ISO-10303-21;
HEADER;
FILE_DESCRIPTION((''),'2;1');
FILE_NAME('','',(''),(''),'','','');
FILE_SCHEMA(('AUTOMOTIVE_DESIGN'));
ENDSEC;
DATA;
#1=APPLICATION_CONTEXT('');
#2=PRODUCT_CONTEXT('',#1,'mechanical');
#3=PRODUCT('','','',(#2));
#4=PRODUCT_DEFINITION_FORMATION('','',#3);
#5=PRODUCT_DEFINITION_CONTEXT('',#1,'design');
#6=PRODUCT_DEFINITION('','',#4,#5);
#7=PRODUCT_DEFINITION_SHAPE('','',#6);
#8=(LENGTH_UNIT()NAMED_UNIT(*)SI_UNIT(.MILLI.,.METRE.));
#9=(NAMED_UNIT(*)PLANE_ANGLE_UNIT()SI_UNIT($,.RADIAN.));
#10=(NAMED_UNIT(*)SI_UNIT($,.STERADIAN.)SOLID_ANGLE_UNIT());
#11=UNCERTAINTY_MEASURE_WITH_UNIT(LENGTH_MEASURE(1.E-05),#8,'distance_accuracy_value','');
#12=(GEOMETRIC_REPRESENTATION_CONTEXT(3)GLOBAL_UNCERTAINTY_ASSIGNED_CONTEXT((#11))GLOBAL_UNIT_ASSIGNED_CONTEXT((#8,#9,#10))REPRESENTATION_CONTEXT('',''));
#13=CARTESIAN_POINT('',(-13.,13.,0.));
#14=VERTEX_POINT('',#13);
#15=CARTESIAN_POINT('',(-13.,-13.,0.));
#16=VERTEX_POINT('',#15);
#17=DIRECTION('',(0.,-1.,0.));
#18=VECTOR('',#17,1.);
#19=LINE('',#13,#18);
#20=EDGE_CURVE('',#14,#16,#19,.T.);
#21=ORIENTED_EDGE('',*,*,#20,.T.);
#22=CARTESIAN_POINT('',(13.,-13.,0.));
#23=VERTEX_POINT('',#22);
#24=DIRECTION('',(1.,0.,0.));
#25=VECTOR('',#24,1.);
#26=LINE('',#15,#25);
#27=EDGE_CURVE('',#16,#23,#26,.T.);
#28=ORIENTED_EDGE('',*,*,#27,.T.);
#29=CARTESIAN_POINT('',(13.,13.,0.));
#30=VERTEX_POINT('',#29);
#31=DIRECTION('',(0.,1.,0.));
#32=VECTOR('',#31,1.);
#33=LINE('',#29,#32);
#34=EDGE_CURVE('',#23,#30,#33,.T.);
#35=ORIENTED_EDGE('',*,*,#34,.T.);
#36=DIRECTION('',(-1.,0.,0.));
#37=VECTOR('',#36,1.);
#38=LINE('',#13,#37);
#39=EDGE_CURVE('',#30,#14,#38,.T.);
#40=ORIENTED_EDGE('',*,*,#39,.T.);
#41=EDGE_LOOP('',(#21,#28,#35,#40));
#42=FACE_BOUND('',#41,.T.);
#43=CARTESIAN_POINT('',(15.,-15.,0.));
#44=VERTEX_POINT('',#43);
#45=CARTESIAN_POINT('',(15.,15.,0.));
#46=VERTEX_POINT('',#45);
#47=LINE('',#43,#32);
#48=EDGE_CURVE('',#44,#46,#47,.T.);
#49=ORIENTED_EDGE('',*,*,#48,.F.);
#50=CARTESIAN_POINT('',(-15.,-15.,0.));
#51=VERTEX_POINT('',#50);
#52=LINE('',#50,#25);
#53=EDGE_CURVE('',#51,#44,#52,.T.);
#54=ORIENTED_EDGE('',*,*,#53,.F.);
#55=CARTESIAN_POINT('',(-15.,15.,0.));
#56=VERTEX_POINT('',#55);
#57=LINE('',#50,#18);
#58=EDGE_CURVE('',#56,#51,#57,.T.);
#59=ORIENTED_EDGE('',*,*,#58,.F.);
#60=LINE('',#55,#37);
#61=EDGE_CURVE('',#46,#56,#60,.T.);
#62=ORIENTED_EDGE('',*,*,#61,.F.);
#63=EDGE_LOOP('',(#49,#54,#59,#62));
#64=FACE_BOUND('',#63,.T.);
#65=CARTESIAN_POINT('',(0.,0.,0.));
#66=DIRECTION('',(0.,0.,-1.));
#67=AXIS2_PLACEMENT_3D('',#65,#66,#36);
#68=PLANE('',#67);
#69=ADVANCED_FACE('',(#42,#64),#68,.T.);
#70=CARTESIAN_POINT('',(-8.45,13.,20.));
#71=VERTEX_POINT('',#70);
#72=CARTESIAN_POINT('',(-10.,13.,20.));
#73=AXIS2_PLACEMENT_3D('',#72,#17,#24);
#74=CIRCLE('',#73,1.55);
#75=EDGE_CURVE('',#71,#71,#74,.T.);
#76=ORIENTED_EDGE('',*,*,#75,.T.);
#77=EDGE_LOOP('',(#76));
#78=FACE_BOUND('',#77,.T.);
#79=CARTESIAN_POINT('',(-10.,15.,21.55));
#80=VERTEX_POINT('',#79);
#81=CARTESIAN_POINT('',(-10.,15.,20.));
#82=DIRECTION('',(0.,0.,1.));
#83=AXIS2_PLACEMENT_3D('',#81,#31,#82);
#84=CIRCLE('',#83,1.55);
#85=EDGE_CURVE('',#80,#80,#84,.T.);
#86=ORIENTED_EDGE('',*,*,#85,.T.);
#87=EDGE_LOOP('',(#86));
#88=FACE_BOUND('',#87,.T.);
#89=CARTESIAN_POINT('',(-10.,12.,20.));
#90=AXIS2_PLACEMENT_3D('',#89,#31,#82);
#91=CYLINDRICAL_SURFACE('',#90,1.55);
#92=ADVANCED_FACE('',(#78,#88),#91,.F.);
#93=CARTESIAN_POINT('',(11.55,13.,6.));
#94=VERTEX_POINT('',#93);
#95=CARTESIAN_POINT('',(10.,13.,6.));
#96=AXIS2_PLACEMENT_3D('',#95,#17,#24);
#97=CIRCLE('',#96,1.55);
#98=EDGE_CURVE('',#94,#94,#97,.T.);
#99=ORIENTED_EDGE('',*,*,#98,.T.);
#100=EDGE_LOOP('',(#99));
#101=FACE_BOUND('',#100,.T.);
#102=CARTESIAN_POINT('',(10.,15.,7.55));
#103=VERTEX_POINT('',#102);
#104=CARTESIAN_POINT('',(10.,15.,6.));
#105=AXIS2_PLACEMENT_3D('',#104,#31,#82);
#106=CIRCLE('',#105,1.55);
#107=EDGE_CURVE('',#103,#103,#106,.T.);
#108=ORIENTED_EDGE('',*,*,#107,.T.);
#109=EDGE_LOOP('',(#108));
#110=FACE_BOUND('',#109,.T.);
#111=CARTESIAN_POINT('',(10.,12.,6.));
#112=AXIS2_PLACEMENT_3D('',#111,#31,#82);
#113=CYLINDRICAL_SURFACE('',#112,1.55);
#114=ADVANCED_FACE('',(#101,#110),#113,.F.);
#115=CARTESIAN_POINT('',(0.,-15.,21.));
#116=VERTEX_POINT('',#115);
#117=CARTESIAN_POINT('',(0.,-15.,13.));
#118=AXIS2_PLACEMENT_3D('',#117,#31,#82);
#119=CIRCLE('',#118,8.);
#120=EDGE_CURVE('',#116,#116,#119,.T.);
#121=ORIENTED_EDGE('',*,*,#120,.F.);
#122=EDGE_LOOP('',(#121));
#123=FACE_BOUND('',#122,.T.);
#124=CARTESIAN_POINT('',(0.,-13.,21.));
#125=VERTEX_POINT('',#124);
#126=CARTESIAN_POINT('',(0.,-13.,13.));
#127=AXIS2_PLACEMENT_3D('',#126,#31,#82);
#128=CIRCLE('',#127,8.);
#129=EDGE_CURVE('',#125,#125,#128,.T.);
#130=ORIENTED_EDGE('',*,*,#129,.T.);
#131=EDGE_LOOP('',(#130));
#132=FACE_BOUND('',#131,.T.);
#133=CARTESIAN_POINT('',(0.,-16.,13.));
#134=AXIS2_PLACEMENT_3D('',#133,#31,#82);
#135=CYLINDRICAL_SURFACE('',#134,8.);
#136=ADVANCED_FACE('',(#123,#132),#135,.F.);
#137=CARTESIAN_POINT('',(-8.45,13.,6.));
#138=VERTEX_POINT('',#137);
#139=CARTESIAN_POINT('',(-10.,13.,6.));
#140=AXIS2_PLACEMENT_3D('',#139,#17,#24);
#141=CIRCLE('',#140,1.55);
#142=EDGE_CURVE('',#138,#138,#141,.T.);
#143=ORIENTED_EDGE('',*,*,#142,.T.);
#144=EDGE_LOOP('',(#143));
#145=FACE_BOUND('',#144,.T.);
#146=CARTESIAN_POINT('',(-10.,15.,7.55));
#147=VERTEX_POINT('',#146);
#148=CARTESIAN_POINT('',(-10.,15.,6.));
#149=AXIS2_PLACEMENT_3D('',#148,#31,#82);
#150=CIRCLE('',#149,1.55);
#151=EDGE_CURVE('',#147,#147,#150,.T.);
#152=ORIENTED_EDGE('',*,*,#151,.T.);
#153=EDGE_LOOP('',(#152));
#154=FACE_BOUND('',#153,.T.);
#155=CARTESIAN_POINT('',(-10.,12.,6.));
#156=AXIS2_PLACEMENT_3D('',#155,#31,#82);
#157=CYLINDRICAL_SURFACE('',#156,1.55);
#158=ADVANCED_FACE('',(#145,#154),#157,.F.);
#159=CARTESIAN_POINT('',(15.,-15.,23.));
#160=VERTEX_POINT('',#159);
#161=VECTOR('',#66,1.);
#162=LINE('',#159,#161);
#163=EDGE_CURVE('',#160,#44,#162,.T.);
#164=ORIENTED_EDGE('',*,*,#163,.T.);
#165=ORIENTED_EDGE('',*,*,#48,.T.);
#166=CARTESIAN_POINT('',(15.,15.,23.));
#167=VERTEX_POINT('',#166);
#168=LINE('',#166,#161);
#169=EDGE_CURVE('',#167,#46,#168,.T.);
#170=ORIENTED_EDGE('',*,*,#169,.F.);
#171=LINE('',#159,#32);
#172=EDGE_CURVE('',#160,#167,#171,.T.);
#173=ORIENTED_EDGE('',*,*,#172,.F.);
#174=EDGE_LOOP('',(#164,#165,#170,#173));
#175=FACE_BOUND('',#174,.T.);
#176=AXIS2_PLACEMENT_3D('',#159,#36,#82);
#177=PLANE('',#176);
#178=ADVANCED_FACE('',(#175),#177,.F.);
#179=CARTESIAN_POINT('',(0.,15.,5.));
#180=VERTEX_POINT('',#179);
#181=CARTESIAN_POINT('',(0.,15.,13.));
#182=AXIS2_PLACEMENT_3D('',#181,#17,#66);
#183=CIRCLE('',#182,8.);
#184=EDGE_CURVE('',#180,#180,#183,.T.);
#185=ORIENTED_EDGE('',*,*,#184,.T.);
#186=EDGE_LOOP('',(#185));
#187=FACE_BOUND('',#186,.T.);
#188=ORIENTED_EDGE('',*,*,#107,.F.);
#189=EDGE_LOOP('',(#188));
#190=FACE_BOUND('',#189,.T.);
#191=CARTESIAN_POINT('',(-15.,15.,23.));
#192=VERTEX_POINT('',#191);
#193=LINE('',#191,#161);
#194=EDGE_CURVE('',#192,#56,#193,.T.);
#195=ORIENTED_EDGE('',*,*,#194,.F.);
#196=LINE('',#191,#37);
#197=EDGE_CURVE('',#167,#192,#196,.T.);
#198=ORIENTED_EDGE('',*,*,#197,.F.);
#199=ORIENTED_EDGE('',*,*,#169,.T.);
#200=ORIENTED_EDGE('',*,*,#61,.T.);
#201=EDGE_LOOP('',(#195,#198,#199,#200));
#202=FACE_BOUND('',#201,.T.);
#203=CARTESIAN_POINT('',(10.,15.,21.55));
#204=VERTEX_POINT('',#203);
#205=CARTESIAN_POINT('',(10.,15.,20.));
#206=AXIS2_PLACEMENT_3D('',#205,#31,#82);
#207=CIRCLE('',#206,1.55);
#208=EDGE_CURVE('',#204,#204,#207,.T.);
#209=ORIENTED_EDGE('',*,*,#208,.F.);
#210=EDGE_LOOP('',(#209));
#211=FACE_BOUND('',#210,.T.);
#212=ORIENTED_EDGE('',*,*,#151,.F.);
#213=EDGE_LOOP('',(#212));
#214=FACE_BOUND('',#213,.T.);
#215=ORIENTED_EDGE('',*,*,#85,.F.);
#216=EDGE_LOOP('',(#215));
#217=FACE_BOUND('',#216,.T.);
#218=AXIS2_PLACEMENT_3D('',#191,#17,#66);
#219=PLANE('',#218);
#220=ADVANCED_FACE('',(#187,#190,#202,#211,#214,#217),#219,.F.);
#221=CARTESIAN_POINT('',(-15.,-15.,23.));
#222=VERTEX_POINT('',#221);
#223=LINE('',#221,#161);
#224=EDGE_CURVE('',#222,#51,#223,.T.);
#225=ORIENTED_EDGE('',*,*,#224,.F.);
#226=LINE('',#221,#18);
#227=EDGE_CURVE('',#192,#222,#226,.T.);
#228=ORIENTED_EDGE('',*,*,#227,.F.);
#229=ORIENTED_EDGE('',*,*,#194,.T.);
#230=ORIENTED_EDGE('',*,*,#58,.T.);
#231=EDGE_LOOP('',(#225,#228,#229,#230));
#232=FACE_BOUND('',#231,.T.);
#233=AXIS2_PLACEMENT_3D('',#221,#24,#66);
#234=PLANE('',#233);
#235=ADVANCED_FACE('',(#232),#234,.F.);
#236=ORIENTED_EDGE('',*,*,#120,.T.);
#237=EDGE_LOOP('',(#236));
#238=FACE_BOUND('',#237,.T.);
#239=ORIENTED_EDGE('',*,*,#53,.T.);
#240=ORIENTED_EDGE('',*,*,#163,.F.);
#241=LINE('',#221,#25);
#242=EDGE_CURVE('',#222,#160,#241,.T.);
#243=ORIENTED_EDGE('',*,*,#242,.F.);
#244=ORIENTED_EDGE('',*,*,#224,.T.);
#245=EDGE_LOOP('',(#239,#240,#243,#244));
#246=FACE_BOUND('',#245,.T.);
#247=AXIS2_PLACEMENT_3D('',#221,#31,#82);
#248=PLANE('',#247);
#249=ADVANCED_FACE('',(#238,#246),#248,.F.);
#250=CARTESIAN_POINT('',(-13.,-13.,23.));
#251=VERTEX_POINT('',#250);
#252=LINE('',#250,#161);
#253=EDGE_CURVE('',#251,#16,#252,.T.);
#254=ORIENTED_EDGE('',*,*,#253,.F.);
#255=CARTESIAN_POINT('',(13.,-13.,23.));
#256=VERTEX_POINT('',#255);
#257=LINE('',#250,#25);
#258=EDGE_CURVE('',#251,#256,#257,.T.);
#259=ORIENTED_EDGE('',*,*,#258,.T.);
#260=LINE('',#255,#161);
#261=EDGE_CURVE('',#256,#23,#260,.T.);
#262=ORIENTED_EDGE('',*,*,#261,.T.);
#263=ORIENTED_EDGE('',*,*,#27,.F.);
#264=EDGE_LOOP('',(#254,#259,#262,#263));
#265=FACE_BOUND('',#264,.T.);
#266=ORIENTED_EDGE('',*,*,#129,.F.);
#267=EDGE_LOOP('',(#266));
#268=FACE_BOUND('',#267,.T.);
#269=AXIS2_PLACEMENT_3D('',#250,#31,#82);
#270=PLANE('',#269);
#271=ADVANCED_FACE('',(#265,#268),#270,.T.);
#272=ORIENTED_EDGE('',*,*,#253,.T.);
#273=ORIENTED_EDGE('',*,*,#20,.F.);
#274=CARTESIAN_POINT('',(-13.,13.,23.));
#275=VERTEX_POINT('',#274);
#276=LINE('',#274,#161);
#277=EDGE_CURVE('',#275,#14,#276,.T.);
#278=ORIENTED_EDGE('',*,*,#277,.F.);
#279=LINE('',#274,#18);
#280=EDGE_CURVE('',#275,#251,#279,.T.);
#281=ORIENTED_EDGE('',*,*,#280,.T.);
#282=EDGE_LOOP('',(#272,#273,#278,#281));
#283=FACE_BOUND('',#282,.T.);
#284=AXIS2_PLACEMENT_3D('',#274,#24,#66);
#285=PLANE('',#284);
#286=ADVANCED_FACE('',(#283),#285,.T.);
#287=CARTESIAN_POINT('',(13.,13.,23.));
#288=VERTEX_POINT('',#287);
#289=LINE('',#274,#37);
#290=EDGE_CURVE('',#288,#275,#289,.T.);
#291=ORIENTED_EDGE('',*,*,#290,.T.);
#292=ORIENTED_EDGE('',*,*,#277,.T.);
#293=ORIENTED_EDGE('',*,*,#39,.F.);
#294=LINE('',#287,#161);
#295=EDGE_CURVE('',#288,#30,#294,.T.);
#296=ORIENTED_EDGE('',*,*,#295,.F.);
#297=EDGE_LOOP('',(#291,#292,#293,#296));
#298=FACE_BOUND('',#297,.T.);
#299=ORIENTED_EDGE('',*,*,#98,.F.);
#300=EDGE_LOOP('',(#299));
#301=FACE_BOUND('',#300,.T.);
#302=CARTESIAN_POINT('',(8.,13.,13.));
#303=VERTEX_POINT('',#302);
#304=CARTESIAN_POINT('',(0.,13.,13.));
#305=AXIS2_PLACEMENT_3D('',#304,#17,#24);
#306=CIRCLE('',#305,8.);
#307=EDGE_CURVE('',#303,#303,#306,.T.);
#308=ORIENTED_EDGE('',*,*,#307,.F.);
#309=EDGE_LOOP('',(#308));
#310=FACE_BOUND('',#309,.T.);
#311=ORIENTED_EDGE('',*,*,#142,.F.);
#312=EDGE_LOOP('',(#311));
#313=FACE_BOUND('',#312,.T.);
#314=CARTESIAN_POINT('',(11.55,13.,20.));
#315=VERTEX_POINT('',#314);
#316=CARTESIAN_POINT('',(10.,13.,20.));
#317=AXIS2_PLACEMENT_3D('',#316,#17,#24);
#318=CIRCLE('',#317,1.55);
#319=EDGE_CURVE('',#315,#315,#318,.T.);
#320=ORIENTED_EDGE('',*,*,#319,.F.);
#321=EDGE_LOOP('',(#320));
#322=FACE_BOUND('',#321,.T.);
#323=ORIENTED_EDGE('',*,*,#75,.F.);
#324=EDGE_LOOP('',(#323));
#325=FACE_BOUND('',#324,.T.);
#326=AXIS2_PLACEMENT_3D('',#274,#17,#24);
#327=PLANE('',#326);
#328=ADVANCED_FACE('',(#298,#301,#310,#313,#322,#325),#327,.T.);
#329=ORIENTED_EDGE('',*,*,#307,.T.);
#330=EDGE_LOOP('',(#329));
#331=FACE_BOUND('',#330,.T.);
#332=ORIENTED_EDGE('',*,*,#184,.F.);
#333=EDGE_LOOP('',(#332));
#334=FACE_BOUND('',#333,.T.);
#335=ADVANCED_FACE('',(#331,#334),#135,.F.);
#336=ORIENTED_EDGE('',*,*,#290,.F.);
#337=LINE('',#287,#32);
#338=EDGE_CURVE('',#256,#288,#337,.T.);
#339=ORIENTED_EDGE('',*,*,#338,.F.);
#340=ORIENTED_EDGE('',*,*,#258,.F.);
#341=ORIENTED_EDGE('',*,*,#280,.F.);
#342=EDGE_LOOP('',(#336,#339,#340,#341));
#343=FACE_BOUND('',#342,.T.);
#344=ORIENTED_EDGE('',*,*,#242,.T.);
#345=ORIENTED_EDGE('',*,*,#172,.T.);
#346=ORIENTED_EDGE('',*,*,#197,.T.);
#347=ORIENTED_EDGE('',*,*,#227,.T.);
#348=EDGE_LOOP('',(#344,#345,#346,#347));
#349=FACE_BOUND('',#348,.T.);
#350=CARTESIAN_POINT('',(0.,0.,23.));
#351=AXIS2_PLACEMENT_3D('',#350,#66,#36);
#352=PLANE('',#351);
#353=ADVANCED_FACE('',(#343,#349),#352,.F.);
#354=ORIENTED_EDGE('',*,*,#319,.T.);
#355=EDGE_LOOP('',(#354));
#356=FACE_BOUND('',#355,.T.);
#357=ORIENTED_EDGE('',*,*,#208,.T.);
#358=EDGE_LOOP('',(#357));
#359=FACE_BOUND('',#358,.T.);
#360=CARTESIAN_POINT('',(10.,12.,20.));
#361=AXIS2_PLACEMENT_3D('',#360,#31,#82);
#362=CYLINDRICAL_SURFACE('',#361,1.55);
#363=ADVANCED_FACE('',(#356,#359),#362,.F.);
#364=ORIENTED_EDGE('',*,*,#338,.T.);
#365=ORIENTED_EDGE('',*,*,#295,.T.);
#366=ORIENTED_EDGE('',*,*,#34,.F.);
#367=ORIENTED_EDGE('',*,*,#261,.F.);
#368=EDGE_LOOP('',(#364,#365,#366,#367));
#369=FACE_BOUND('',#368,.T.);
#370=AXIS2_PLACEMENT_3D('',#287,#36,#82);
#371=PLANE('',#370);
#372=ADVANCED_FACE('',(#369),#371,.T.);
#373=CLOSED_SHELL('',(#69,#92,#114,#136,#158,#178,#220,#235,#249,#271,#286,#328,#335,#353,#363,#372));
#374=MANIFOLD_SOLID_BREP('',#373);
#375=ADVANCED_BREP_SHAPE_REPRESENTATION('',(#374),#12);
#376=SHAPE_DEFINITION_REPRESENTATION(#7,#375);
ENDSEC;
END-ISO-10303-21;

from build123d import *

# Parameters (mm, degrees)
SKETCH1_W               = 30
SKETCH1_H               = 30
SKETCH1_W_2             = 26
SKETCH1_H_2             = 26
BOSS_EXTRUDE1_DEPTH     = 23
CUT_EXTRUDE1_DEPTH      = 30
CUT_EXTRUDE1_DEPTH_BACK = 3
SKETCH2_R               = 8
SKETCH4_R               = 1.55
CUT_EXTRUDE2_DEPTH      = 3


with BuildPart() as part:
    # Sketch1 → Boss-Extrude1 (new body)
    with BuildSketch(Plane.XY):
        Rectangle(SKETCH1_W, SKETCH1_H)
        Rectangle(SKETCH1_W_2, SKETCH1_H_2, mode=Mode.SUBTRACT)
    extrude(amount=BOSS_EXTRUDE1_DEPTH)

    # Sketch2 → Cut-Extrude1 (cut, two sides: drawn at the far end of the back side and taken through both)
    with BuildSketch(Plane(origin=(0, -13, 0), x_dir=(1, 0, 0), z_dir=(0, 1, 0)).offset(-CUT_EXTRUDE1_DEPTH_BACK)):
        with Locations(Location((0, -13, 0), (0, 0, 270))):
            Circle(SKETCH2_R)
    extrude(amount=CUT_EXTRUDE1_DEPTH + CUT_EXTRUDE1_DEPTH_BACK, mode=Mode.SUBTRACT)

    # Sketch4 → Cut-Extrude2 (cut)
    with BuildSketch(Plane(origin=(0, 15, 0), x_dir=(1, 0, 0), z_dir=(0, 1, 0))):
        with Locations(Location((-10, -6, 0), (0, 0, 270))):
            Circle(SKETCH4_R)
        with Locations(Location((10, -6, 0), (0, 0, 270))):
            Circle(SKETCH4_R)
        with Locations(Location((10, -20, 0), (0, 0, 270))):
            Circle(SKETCH4_R)
        with Locations(Location((-10, -20, 0), (0, 0, 270))):
            Circle(SKETCH4_R)
    extrude(amount=-CUT_EXTRUDE2_DEPTH, mode=Mode.SUBTRACT)


solid = part.part
